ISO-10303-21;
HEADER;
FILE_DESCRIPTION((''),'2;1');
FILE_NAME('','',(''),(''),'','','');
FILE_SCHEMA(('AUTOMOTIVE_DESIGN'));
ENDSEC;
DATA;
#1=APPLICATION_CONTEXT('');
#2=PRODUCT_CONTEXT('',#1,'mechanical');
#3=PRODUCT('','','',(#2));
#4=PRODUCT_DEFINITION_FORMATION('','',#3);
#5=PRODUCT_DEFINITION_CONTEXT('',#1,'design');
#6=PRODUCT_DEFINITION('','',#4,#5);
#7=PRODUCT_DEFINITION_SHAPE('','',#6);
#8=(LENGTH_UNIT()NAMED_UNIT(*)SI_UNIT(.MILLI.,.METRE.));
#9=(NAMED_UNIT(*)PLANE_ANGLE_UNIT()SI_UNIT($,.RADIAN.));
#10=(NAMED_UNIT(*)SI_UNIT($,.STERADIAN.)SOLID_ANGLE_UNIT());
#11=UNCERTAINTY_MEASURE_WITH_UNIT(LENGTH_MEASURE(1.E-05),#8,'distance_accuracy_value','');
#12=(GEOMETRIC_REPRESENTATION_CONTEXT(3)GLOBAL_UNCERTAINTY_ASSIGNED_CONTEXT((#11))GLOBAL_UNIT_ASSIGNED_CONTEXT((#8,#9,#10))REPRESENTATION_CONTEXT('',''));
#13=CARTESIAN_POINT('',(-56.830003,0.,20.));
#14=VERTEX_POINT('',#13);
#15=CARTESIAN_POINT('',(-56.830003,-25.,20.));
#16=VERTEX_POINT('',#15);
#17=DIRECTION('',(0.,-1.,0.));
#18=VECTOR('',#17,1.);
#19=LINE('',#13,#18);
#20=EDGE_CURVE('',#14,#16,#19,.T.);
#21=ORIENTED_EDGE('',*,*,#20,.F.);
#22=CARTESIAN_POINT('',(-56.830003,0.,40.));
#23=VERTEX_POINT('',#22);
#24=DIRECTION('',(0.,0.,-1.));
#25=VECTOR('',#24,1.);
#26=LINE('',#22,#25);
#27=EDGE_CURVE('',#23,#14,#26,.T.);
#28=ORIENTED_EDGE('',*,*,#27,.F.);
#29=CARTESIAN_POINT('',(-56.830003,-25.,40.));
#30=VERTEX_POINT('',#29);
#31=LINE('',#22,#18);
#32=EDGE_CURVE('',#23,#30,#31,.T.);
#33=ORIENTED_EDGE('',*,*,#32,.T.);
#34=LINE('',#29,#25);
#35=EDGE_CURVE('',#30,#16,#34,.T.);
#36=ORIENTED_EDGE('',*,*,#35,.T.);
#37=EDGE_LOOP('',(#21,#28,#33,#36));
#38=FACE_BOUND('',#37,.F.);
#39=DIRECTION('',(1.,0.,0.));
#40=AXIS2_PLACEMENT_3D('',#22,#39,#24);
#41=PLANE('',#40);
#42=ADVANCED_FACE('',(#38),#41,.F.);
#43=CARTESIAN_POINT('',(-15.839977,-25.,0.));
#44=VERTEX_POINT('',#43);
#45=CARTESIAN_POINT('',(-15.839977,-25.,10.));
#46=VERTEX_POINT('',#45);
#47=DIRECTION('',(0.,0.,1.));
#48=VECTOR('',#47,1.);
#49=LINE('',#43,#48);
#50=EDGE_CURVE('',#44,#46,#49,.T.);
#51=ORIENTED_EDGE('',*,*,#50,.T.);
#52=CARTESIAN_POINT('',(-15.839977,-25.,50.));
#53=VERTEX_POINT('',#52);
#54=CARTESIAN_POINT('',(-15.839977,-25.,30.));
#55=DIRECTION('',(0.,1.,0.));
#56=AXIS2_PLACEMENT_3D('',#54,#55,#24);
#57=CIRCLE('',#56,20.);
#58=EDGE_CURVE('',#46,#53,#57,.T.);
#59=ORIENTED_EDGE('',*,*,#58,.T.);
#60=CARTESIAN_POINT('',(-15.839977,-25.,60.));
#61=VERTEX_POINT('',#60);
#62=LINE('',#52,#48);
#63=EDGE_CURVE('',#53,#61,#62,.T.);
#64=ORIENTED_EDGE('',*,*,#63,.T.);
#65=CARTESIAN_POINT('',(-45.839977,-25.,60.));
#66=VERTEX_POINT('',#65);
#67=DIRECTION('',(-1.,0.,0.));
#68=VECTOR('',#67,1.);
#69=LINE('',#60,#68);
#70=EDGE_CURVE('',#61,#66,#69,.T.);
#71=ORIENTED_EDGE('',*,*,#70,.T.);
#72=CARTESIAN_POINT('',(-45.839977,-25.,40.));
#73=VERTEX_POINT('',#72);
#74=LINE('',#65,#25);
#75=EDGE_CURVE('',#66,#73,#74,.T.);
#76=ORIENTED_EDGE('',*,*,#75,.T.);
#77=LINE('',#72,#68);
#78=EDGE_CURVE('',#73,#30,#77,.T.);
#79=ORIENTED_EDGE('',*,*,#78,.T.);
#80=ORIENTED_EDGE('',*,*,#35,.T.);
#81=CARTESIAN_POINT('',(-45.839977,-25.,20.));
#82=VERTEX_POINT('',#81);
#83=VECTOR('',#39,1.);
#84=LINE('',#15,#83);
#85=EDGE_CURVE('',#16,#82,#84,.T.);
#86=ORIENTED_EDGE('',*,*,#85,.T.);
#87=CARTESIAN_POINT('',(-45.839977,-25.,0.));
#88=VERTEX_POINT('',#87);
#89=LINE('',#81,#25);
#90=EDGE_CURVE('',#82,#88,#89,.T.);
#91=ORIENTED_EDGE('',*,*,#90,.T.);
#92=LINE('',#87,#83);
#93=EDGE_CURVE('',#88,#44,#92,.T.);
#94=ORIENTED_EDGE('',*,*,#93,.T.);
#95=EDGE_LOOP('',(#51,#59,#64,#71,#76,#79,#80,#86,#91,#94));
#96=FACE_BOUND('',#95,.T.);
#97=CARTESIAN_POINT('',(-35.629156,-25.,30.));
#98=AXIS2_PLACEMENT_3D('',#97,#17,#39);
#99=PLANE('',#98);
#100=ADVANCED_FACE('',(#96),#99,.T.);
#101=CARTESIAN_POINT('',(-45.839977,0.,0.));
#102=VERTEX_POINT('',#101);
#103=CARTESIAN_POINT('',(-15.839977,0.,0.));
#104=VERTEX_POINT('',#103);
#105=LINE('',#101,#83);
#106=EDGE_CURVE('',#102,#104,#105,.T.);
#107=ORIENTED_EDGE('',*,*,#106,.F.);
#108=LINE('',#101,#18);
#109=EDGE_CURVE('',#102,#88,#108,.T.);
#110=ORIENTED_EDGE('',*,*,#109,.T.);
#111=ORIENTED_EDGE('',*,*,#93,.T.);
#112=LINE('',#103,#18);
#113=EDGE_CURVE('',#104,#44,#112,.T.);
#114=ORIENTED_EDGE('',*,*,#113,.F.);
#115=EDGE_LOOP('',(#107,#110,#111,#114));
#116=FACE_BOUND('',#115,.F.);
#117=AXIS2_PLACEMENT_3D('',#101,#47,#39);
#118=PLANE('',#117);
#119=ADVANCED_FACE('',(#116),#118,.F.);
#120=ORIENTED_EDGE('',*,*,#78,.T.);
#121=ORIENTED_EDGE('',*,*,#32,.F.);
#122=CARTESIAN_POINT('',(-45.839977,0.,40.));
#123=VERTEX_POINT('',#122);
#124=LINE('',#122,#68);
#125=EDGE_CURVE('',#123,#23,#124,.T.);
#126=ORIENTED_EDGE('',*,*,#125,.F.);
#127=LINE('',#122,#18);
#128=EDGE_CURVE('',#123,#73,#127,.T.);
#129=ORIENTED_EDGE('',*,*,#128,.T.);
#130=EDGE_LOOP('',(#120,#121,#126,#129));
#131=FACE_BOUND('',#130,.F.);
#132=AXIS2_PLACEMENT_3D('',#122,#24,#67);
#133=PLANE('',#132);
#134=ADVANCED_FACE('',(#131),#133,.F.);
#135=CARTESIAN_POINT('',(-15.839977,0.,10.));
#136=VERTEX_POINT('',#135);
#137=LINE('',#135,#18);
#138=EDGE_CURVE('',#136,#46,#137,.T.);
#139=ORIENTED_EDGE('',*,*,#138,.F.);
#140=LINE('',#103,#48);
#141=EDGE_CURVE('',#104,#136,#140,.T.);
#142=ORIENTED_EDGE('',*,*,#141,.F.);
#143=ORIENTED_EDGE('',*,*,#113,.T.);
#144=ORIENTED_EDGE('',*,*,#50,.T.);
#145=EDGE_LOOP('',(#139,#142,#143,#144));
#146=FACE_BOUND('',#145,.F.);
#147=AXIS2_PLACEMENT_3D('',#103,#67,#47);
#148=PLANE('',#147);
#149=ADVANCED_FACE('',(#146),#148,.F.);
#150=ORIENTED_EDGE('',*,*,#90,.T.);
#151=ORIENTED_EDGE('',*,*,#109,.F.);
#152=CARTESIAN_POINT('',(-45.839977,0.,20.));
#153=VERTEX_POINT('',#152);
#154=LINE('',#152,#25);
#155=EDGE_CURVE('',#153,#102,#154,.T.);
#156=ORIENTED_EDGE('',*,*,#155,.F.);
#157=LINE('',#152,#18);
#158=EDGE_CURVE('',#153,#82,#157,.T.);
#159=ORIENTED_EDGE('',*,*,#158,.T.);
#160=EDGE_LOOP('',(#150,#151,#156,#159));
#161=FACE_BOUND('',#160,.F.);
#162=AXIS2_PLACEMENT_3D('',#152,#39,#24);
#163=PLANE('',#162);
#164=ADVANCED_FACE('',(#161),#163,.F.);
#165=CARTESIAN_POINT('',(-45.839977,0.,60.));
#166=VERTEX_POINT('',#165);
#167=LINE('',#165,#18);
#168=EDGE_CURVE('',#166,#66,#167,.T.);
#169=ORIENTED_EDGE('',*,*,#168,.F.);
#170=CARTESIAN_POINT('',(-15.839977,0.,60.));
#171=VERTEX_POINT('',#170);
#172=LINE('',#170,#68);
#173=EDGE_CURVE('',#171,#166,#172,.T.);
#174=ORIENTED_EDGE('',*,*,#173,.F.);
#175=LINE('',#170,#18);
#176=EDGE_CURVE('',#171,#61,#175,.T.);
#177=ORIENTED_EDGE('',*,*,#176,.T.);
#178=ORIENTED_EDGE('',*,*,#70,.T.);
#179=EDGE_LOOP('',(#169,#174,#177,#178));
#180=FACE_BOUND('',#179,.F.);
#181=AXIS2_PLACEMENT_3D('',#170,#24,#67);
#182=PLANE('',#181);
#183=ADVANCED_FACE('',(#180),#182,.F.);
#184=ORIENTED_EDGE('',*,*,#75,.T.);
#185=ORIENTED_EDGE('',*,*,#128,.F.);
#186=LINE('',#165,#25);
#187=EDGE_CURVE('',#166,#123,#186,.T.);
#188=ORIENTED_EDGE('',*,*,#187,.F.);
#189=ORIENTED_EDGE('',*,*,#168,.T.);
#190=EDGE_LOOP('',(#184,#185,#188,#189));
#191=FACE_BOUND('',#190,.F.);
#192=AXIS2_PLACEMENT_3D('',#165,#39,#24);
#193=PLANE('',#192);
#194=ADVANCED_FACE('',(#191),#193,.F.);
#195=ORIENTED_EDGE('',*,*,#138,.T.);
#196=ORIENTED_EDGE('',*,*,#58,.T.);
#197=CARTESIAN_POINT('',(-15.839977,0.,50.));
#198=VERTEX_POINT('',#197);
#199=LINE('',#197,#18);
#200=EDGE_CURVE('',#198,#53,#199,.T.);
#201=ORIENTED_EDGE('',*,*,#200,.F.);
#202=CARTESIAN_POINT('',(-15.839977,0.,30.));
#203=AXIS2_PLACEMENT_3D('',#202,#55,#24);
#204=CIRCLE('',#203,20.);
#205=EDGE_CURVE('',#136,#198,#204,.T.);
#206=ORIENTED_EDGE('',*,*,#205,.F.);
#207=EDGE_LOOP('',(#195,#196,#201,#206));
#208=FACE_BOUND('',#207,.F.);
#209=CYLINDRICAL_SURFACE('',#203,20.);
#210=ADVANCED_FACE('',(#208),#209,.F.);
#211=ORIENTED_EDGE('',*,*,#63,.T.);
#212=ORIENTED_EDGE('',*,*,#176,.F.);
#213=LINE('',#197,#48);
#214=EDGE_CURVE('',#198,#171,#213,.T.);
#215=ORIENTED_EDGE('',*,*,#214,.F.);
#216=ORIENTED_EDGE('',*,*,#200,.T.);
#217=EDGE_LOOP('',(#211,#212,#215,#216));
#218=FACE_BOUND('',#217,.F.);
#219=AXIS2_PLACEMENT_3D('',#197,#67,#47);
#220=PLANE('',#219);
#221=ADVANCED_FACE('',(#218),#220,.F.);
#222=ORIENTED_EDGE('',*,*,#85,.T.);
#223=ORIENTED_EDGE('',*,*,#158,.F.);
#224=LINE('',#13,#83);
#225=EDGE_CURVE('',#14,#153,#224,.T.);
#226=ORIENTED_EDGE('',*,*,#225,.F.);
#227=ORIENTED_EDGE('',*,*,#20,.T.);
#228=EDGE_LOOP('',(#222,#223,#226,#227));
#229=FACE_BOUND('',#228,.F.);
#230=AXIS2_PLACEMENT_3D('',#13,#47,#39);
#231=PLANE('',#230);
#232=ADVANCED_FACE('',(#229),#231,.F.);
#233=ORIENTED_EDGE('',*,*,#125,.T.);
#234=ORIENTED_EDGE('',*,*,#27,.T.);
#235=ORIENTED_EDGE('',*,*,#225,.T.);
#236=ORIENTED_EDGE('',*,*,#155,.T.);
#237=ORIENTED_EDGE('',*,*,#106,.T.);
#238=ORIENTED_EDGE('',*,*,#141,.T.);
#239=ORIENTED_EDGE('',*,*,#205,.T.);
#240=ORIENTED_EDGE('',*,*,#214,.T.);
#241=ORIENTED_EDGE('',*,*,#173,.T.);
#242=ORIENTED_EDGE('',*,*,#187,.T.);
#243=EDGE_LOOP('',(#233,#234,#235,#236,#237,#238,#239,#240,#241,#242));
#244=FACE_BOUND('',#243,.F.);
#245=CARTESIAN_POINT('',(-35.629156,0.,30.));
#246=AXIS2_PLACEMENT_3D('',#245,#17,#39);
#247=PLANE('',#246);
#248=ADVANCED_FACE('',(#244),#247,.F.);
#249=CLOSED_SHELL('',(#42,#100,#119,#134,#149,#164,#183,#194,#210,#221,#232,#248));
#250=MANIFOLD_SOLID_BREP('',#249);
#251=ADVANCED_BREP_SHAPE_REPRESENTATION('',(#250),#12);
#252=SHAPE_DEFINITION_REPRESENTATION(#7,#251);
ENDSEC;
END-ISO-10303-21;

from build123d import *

# Parameters (mm, degrees)
F1_DEPTH = 25


with BuildPart() as f1:
    # F0 (on Front) → F1 (new body)
    with BuildSketch(Plane.XZ):
        with BuildLine():
            Line((-15.839977, 60), (-45.839977, 60))
            Line((-45.839977, 60), (-45.839977, 40))
            Line((-45.839977, 40), (-56.830003, 40))
            Line((-56.830003, 40), (-56.830003, 20))
            Line((-56.830003, 20), (-45.839977, 20))
            Line((-45.839977, 20), (-45.839977, 0))
            Line((-45.839977, 0), (-15.839977, 0))
            Line((-15.839977, 0), (-15.839977, 10))
            ThreePointArc((-15.839977, 10), (-35.839977, 30), (-15.839977, 50))
            Line((-15.839977, 50), (-15.839977, 60))
        make_face()
    extrude(amount=F1_DEPTH)


solid = f1.part
